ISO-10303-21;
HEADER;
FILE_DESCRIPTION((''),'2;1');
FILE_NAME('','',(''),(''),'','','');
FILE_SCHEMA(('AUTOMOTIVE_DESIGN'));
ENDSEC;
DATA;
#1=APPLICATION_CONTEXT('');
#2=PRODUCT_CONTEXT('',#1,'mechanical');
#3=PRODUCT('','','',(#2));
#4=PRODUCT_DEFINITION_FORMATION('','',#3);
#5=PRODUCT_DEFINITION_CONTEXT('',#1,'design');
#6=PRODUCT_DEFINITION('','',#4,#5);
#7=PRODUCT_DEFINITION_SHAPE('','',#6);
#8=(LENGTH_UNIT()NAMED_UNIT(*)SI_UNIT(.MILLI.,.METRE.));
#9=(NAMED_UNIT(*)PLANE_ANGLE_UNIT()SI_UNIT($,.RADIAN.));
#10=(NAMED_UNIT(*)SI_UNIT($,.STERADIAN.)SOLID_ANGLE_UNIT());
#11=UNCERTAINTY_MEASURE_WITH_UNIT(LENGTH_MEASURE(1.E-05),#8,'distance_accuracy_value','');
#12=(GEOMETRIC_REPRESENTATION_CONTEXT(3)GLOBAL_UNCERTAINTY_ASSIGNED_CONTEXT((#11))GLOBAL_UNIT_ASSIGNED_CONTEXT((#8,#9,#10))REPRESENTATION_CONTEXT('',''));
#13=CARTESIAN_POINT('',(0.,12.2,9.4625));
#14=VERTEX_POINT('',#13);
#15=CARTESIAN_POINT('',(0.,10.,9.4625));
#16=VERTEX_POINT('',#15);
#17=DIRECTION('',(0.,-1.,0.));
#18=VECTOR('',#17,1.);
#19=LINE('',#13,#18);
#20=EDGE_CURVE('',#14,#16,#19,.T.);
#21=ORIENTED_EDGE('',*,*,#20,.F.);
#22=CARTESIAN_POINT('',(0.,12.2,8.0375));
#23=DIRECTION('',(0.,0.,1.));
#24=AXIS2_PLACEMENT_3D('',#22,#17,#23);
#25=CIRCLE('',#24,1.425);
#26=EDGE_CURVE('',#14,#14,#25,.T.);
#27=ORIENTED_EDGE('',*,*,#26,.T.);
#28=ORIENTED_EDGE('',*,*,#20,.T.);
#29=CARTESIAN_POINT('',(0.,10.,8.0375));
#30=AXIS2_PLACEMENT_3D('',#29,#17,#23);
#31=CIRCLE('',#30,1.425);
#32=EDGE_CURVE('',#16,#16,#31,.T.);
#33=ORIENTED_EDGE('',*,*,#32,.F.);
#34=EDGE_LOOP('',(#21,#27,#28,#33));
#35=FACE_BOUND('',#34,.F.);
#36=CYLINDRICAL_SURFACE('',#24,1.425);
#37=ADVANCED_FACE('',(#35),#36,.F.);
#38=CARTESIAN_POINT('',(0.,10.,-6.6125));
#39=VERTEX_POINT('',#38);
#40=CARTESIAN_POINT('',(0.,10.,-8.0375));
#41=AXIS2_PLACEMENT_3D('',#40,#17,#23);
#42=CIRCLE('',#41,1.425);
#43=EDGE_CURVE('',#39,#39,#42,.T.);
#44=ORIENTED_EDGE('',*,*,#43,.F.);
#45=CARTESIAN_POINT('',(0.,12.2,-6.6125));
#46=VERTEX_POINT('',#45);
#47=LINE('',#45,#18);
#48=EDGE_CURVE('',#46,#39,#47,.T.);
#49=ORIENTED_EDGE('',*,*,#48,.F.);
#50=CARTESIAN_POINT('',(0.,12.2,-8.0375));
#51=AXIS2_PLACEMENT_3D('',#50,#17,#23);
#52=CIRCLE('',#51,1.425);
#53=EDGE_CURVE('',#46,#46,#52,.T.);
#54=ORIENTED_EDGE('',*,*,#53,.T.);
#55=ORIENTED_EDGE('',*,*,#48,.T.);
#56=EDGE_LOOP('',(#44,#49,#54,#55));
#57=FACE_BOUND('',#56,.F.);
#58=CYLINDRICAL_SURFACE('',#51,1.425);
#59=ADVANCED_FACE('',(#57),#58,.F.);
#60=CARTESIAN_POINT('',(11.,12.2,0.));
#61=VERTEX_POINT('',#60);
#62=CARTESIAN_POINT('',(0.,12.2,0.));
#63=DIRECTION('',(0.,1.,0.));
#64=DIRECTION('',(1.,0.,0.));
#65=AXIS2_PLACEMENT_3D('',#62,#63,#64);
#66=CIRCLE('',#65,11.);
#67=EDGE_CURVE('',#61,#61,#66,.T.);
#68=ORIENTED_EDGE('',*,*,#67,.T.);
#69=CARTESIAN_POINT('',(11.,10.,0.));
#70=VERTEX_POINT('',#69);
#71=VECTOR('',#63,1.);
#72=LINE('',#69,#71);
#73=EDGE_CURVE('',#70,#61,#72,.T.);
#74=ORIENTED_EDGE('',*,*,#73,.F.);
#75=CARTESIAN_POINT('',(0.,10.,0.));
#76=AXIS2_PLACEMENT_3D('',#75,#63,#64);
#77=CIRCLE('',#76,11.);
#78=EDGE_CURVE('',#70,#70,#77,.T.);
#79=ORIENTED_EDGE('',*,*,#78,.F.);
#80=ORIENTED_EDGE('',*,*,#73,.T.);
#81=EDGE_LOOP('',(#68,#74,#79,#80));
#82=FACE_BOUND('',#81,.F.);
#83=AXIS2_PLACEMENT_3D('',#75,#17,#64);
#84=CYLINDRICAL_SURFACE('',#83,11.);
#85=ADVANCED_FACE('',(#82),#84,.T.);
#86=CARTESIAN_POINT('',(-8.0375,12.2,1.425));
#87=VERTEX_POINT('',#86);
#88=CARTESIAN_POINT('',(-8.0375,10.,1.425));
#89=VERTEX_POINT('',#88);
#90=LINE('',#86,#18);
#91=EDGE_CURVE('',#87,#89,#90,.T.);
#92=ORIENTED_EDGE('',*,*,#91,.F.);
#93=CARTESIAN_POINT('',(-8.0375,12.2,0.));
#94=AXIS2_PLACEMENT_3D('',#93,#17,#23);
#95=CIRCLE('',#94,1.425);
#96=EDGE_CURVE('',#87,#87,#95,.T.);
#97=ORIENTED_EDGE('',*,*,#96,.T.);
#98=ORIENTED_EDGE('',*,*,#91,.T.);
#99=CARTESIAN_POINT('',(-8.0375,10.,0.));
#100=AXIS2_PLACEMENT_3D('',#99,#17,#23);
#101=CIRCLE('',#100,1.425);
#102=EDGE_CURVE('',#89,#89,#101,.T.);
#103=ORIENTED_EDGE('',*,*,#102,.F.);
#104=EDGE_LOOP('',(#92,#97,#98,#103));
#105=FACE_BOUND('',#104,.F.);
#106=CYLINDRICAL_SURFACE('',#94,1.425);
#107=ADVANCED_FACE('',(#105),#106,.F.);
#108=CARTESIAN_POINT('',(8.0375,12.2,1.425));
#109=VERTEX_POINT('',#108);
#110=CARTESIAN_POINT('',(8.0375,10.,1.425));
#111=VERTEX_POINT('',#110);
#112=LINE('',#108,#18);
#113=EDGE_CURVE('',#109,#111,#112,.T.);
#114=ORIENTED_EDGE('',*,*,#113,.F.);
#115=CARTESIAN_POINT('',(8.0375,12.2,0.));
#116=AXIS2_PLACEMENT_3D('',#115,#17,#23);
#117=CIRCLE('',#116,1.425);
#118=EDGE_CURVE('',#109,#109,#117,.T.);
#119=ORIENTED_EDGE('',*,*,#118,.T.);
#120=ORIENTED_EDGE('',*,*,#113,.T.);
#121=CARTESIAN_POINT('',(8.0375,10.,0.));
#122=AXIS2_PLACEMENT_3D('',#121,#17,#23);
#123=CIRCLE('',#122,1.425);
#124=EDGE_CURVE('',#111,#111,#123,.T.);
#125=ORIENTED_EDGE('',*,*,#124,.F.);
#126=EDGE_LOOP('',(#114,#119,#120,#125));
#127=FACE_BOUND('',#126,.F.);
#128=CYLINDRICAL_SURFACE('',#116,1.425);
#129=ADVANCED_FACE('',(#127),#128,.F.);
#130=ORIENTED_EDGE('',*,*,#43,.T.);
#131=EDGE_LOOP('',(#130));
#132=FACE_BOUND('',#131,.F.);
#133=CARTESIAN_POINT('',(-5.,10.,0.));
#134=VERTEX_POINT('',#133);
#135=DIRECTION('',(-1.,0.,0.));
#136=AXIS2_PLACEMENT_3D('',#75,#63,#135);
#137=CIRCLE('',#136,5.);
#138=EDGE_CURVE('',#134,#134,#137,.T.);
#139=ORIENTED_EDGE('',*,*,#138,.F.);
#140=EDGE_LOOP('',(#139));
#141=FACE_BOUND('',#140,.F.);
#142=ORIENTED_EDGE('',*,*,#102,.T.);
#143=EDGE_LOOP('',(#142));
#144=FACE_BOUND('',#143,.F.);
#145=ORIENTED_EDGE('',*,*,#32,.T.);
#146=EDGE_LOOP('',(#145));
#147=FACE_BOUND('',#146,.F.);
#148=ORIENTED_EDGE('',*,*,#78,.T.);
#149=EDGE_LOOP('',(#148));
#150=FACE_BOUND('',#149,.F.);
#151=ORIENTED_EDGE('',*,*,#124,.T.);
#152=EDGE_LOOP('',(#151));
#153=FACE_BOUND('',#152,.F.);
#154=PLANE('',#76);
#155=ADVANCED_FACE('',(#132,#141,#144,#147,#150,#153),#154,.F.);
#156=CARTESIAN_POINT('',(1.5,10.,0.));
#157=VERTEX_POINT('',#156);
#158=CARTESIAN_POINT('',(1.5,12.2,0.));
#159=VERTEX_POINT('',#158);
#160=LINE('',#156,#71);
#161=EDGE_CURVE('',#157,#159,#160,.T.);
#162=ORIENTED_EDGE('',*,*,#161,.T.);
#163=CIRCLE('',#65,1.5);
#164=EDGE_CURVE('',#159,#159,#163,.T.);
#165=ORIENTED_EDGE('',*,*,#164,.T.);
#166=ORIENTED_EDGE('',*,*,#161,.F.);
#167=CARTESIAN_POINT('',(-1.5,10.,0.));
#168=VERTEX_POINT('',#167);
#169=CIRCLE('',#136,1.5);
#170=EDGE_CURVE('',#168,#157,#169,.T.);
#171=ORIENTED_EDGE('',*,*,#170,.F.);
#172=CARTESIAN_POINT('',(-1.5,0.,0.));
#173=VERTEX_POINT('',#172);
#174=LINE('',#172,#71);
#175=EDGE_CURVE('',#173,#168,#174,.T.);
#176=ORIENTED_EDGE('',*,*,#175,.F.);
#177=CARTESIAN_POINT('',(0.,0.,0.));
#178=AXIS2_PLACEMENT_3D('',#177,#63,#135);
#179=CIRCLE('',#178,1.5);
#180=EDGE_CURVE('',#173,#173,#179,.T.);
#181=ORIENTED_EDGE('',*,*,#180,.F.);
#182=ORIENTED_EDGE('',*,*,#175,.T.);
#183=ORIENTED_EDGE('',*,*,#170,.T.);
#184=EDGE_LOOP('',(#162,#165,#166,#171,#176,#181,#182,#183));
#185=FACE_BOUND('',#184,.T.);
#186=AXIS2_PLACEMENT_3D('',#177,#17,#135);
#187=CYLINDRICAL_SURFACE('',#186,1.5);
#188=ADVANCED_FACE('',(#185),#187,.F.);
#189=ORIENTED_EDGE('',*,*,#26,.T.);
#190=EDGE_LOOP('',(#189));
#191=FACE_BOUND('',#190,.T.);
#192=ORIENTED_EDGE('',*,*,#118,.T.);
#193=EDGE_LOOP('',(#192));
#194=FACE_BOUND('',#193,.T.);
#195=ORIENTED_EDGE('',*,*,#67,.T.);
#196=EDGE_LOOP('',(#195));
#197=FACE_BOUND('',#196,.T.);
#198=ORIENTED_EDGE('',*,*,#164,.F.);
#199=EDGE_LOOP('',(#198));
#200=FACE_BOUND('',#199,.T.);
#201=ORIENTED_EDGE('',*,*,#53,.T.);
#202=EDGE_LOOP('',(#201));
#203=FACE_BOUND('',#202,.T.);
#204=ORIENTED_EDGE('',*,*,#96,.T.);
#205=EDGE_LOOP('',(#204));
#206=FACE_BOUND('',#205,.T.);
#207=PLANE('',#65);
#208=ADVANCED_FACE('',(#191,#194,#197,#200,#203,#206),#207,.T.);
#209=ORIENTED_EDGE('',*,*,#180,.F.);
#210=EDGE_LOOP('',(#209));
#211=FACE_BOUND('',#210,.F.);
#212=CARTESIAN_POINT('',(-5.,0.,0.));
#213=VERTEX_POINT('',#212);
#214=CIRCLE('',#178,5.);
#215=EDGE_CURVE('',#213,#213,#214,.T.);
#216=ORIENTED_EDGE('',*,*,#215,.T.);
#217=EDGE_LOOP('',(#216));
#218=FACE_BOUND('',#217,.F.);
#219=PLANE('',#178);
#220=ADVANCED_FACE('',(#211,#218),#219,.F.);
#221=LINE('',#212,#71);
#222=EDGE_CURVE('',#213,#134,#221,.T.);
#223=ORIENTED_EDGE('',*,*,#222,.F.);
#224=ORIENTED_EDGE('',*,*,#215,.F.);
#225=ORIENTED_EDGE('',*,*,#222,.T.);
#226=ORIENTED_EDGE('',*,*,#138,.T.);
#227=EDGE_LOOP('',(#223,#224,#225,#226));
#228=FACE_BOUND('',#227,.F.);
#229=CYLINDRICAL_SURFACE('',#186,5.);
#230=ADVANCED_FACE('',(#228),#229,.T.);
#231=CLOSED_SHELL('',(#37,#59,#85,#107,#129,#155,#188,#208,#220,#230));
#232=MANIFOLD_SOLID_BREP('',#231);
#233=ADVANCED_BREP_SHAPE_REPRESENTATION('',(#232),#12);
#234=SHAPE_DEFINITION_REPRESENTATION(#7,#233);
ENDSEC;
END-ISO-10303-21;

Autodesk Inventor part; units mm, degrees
ref_plane "YZ Plane" through (0, 0, 0) normal (1, 0, 0) x (0, 1, 0)
ref_plane "XZ Plane" through (0, 0, 0) normal (0, 1, 0) x (-1, 0, 0)
ref_plane "XY Plane" through (0, 0, 0) normal (0, 0, 1) x (1, 0, 0)
sketch "Boceto1" plane through (0, 0, 0) normal (0, 1, 0) x (-1, 0, 0)
  circle A0 centre (0, 0) radius 5
  circle A1 centre (0, 0) radius 1.5
  dimension "d0" = 10
  dimension "d1" = 3
extrude "Extrusión1" add sketch "Boceto1" along normal blind 10
sketch "Boceto2" plane through (0, 10, 0) normal (0, 1, 0) x (1, 0, 0)
  circle A0 centre (0, 0) radius 11
  circle A1 centre (0, 0) radius 5 projected
  circle A2 centre (0, 0) radius 1.5 projected
  dimension "d4" = 22
extrude "Extrusión2" add sketch "Boceto2" along normal blind 2.2 contours A0 | A1
sketch "Boceto3" plane through (0, 12.2, 0) normal (0, 1, 0) x (1, 0, 0)
  circle A0 centre (0, 0) radius 9.475
  circle A1 centre (0, 0) radius 6.6
  line L0 (0, -6.6) -> (0, -9.475)
  circle A2 centre (0, -8.0375) radius 1.4375
  circle A3 centre (8.0375, 0) radius 1.4375
  circle A4 centre (0, 8.0375) radius 1.4375
  circle A5 centre (-8.0375, 0) radius 1.4375
  dimension "d7" = 18.95
  dimension "d8" = 13.2
  dimension "d11" = 360
hole "Agujero1" at (0, 12.2, 8.0375) at (-8.0375, 12.2, 0) at (0, 12.2, -8.0375) at (8.0375, 12.2, 0) direction (0, -1, 0) diameter 2.85 end through all
properties part number "Acople motor" material "Hierro, dúctil"
